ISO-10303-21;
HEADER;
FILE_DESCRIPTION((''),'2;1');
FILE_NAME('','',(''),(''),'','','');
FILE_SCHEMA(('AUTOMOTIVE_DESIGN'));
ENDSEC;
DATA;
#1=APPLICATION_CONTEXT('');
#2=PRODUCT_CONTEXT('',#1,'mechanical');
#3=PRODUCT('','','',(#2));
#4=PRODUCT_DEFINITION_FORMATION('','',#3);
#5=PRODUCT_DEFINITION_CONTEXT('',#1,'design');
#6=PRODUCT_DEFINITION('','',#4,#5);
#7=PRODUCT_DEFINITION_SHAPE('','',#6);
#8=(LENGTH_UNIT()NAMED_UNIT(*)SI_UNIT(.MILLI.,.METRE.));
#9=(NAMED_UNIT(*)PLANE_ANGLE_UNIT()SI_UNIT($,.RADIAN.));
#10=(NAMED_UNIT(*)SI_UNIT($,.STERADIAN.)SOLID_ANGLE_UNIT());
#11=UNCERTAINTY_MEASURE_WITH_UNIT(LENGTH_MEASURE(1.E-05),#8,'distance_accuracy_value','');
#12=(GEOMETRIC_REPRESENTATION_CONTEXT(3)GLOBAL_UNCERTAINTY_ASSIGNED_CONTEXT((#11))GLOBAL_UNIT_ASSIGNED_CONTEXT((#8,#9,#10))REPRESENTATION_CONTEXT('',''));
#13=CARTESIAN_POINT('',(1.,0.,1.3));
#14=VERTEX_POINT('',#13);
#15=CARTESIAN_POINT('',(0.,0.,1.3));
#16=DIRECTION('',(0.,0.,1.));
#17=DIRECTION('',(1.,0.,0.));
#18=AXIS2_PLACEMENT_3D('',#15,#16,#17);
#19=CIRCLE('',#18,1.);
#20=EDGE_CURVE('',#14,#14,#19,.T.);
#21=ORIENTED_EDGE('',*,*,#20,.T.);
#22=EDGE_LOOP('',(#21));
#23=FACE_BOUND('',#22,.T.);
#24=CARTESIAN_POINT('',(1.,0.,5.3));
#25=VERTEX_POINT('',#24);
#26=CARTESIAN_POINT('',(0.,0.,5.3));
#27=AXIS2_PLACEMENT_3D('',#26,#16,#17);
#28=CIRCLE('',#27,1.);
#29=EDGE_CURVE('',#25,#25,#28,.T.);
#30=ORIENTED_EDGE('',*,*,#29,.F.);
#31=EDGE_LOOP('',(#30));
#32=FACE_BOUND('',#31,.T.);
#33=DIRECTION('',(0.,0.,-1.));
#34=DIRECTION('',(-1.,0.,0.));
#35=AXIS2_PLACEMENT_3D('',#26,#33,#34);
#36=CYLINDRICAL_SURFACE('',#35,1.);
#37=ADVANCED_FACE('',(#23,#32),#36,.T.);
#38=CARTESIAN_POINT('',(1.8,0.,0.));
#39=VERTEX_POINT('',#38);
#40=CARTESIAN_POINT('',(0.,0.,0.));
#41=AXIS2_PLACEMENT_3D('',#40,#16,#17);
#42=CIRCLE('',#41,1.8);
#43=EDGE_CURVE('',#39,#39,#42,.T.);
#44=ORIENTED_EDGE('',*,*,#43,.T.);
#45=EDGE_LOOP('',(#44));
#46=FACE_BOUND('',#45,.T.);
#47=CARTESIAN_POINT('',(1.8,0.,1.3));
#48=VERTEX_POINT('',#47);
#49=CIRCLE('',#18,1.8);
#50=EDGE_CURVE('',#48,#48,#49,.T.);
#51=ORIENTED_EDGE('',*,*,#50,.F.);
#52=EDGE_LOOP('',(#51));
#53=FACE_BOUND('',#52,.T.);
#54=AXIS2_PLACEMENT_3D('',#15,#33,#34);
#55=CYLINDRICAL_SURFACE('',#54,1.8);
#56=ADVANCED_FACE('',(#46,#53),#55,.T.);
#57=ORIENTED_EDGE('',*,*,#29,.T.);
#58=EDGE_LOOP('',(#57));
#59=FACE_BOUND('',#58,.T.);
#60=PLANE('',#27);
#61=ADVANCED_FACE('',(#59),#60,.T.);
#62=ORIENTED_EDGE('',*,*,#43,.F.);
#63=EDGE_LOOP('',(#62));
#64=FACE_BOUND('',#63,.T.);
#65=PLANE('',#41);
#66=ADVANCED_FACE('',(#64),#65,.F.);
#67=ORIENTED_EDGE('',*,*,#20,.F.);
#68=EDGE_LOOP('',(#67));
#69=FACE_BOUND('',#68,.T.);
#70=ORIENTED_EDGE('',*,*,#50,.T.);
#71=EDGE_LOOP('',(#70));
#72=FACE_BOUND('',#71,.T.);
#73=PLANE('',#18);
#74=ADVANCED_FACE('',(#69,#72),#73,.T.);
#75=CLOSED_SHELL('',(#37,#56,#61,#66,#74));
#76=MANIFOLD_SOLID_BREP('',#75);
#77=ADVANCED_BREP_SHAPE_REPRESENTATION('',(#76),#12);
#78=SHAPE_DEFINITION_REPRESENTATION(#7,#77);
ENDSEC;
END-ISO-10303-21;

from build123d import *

# Parameters (mm, degrees)
SKETCH_1_R      = 1.8
EXTRUDE_1_DEPTH = 1.3
SKETCH_2_R      = 1
EXTRUDE_2_DEPTH = 4


with BuildPart() as part:
    # Эскиз1 → Бобышка-Вытянуть1 (new body)
    with BuildSketch(Plane.XY):
        Circle(SKETCH_1_R)
    extrude(amount=EXTRUDE_1_DEPTH)

    # Эскиз2 → Бобышка-Вытянуть2 (add)
    with BuildSketch(Plane.XY.offset(1.3)):
        Circle(SKETCH_2_R)
    extrude(amount=EXTRUDE_2_DEPTH)


solid = part.part
